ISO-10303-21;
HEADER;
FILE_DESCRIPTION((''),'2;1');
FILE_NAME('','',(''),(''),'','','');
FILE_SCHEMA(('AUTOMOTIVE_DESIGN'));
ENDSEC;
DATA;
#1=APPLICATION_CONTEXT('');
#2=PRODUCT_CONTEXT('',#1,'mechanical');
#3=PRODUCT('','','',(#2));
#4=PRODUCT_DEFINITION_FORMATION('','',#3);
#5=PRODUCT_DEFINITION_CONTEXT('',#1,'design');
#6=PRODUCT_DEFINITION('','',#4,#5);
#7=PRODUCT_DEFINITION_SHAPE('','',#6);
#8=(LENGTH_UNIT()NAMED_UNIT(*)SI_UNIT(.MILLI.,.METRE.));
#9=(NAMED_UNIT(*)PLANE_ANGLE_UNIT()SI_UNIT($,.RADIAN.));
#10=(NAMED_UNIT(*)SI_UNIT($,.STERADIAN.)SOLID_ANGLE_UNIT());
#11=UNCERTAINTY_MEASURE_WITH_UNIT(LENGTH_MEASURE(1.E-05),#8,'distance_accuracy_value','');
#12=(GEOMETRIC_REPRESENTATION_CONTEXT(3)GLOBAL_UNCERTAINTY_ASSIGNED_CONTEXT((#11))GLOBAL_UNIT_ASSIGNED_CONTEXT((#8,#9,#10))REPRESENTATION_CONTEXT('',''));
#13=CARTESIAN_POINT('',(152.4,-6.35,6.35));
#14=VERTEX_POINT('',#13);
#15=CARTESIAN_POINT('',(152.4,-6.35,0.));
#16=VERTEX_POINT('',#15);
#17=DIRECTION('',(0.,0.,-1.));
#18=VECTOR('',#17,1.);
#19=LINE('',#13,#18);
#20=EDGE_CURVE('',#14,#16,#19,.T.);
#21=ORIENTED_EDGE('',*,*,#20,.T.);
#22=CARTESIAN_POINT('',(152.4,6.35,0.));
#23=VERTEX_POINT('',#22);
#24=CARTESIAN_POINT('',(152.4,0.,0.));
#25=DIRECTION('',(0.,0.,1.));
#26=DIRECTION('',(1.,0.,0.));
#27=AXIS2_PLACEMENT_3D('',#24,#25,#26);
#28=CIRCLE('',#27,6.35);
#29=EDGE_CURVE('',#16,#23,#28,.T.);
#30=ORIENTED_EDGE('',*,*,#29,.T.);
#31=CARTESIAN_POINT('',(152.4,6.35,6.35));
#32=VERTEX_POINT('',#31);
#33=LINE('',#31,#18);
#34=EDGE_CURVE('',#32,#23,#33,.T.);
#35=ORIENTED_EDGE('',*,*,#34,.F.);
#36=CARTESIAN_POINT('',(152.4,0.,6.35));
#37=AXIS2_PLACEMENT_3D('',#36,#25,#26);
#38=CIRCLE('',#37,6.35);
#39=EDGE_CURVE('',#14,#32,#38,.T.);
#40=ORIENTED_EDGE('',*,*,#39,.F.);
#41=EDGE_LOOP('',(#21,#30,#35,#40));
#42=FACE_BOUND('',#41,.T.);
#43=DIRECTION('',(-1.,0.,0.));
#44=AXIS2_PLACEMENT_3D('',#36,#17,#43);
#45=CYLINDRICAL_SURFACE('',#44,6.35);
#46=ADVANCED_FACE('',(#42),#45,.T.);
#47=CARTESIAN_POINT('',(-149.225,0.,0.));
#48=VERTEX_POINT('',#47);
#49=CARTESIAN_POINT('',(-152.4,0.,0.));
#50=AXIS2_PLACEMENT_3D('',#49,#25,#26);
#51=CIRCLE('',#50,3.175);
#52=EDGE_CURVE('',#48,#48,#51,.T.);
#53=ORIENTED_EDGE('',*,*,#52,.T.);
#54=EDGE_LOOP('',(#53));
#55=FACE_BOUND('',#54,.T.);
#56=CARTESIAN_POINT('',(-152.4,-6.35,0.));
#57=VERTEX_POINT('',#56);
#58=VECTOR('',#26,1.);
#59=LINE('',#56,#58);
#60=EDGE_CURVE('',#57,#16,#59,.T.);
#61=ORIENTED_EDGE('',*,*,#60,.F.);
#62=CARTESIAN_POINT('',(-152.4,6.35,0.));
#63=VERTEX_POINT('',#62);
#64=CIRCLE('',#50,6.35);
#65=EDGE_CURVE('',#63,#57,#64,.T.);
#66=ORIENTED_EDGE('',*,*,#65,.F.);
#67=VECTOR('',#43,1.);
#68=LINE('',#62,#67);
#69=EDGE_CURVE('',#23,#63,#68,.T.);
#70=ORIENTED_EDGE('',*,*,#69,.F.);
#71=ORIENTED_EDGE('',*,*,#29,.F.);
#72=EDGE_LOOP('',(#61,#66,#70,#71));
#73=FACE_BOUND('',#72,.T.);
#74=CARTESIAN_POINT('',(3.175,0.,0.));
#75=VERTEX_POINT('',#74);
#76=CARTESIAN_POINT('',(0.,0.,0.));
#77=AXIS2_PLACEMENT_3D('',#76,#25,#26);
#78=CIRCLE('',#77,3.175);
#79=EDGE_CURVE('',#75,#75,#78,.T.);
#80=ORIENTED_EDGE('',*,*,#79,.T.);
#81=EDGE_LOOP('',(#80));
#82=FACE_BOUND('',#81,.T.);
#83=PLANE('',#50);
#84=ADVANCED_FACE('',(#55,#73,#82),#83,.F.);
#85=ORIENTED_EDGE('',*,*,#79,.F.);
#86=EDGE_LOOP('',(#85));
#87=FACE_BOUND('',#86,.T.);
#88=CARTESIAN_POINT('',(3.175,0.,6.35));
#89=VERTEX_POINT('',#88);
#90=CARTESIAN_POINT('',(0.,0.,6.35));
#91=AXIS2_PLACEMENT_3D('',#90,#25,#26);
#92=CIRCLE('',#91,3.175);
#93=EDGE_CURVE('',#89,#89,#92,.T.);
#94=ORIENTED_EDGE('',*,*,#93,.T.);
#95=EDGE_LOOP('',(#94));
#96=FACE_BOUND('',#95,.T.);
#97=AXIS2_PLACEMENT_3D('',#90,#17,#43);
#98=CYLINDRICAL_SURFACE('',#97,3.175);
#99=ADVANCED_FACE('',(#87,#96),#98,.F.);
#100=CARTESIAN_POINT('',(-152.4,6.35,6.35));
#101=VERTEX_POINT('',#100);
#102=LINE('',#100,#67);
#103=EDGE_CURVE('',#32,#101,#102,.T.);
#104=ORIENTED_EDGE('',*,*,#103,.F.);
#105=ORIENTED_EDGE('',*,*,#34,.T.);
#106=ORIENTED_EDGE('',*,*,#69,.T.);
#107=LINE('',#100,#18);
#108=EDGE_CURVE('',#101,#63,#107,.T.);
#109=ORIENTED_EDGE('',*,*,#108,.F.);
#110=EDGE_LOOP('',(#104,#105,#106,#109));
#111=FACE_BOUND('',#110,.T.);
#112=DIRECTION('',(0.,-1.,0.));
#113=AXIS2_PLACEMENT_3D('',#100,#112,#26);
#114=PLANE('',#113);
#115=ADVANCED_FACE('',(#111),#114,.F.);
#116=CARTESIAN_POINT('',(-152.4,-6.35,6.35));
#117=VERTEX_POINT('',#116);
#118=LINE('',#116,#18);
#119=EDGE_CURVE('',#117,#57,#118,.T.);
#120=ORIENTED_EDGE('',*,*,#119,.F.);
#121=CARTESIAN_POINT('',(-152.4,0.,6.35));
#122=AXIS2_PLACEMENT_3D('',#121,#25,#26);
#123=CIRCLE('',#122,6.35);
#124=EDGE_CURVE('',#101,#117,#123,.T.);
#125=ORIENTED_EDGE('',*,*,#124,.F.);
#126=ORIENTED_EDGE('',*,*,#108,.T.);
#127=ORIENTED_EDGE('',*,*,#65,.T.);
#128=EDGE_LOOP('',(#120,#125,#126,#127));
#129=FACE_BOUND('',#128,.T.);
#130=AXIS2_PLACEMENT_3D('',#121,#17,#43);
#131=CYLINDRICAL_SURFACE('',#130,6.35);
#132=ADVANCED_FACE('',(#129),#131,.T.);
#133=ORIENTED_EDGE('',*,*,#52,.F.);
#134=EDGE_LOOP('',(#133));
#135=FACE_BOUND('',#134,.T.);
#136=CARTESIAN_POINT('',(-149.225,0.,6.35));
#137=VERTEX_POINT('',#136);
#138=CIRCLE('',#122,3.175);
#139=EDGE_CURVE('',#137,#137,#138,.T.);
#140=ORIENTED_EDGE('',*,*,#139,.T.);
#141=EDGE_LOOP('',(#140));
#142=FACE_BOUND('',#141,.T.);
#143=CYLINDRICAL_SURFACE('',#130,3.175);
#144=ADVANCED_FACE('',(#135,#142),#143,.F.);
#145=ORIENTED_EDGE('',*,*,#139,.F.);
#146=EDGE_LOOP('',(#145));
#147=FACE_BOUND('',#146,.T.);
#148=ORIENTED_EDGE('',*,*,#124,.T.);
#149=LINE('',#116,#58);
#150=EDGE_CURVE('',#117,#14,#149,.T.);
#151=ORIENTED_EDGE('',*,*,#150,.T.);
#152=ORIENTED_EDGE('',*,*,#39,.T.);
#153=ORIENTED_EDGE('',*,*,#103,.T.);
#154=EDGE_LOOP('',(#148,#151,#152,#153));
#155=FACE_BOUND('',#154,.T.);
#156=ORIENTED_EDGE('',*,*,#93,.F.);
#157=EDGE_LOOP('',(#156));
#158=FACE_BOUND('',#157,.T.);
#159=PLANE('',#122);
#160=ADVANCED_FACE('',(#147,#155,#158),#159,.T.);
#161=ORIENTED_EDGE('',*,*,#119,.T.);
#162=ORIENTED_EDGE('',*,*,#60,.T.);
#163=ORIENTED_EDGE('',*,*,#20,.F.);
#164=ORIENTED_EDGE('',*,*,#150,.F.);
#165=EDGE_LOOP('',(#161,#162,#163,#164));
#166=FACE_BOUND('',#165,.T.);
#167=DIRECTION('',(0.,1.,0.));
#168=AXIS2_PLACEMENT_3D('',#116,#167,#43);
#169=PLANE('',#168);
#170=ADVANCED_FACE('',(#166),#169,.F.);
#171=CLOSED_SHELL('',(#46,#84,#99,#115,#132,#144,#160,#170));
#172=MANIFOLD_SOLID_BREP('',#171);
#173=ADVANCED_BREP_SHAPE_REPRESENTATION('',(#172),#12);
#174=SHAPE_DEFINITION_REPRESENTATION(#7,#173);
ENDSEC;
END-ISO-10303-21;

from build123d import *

# Parameters (mm, degrees)
SKETCH1_R           = 3.175
BOSS_EXTRUDE1_DEPTH = 6.35


with BuildPart() as part:
    # Sketch1 → Boss-Extrude1 (new body)
    with BuildSketch(Plane.XY):
        with BuildLine():
            Line((-152.4, 6.35), (152.4, 6.35))
            ThreePointArc((152.4, 6.35), (158.75, 0), (152.4, -6.35))
            Line((152.4, -6.35), (-152.4, -6.35))
            ThreePointArc((-152.4, -6.35), (-158.75, 0), (-152.4, 6.35))
        make_face()
        with Locations((-152.4, 0)):
            Circle(SKETCH1_R, mode=Mode.SUBTRACT)
        Circle(SKETCH1_R, mode=Mode.SUBTRACT)
    extrude(amount=BOSS_EXTRUDE1_DEPTH)


solid = part.part
